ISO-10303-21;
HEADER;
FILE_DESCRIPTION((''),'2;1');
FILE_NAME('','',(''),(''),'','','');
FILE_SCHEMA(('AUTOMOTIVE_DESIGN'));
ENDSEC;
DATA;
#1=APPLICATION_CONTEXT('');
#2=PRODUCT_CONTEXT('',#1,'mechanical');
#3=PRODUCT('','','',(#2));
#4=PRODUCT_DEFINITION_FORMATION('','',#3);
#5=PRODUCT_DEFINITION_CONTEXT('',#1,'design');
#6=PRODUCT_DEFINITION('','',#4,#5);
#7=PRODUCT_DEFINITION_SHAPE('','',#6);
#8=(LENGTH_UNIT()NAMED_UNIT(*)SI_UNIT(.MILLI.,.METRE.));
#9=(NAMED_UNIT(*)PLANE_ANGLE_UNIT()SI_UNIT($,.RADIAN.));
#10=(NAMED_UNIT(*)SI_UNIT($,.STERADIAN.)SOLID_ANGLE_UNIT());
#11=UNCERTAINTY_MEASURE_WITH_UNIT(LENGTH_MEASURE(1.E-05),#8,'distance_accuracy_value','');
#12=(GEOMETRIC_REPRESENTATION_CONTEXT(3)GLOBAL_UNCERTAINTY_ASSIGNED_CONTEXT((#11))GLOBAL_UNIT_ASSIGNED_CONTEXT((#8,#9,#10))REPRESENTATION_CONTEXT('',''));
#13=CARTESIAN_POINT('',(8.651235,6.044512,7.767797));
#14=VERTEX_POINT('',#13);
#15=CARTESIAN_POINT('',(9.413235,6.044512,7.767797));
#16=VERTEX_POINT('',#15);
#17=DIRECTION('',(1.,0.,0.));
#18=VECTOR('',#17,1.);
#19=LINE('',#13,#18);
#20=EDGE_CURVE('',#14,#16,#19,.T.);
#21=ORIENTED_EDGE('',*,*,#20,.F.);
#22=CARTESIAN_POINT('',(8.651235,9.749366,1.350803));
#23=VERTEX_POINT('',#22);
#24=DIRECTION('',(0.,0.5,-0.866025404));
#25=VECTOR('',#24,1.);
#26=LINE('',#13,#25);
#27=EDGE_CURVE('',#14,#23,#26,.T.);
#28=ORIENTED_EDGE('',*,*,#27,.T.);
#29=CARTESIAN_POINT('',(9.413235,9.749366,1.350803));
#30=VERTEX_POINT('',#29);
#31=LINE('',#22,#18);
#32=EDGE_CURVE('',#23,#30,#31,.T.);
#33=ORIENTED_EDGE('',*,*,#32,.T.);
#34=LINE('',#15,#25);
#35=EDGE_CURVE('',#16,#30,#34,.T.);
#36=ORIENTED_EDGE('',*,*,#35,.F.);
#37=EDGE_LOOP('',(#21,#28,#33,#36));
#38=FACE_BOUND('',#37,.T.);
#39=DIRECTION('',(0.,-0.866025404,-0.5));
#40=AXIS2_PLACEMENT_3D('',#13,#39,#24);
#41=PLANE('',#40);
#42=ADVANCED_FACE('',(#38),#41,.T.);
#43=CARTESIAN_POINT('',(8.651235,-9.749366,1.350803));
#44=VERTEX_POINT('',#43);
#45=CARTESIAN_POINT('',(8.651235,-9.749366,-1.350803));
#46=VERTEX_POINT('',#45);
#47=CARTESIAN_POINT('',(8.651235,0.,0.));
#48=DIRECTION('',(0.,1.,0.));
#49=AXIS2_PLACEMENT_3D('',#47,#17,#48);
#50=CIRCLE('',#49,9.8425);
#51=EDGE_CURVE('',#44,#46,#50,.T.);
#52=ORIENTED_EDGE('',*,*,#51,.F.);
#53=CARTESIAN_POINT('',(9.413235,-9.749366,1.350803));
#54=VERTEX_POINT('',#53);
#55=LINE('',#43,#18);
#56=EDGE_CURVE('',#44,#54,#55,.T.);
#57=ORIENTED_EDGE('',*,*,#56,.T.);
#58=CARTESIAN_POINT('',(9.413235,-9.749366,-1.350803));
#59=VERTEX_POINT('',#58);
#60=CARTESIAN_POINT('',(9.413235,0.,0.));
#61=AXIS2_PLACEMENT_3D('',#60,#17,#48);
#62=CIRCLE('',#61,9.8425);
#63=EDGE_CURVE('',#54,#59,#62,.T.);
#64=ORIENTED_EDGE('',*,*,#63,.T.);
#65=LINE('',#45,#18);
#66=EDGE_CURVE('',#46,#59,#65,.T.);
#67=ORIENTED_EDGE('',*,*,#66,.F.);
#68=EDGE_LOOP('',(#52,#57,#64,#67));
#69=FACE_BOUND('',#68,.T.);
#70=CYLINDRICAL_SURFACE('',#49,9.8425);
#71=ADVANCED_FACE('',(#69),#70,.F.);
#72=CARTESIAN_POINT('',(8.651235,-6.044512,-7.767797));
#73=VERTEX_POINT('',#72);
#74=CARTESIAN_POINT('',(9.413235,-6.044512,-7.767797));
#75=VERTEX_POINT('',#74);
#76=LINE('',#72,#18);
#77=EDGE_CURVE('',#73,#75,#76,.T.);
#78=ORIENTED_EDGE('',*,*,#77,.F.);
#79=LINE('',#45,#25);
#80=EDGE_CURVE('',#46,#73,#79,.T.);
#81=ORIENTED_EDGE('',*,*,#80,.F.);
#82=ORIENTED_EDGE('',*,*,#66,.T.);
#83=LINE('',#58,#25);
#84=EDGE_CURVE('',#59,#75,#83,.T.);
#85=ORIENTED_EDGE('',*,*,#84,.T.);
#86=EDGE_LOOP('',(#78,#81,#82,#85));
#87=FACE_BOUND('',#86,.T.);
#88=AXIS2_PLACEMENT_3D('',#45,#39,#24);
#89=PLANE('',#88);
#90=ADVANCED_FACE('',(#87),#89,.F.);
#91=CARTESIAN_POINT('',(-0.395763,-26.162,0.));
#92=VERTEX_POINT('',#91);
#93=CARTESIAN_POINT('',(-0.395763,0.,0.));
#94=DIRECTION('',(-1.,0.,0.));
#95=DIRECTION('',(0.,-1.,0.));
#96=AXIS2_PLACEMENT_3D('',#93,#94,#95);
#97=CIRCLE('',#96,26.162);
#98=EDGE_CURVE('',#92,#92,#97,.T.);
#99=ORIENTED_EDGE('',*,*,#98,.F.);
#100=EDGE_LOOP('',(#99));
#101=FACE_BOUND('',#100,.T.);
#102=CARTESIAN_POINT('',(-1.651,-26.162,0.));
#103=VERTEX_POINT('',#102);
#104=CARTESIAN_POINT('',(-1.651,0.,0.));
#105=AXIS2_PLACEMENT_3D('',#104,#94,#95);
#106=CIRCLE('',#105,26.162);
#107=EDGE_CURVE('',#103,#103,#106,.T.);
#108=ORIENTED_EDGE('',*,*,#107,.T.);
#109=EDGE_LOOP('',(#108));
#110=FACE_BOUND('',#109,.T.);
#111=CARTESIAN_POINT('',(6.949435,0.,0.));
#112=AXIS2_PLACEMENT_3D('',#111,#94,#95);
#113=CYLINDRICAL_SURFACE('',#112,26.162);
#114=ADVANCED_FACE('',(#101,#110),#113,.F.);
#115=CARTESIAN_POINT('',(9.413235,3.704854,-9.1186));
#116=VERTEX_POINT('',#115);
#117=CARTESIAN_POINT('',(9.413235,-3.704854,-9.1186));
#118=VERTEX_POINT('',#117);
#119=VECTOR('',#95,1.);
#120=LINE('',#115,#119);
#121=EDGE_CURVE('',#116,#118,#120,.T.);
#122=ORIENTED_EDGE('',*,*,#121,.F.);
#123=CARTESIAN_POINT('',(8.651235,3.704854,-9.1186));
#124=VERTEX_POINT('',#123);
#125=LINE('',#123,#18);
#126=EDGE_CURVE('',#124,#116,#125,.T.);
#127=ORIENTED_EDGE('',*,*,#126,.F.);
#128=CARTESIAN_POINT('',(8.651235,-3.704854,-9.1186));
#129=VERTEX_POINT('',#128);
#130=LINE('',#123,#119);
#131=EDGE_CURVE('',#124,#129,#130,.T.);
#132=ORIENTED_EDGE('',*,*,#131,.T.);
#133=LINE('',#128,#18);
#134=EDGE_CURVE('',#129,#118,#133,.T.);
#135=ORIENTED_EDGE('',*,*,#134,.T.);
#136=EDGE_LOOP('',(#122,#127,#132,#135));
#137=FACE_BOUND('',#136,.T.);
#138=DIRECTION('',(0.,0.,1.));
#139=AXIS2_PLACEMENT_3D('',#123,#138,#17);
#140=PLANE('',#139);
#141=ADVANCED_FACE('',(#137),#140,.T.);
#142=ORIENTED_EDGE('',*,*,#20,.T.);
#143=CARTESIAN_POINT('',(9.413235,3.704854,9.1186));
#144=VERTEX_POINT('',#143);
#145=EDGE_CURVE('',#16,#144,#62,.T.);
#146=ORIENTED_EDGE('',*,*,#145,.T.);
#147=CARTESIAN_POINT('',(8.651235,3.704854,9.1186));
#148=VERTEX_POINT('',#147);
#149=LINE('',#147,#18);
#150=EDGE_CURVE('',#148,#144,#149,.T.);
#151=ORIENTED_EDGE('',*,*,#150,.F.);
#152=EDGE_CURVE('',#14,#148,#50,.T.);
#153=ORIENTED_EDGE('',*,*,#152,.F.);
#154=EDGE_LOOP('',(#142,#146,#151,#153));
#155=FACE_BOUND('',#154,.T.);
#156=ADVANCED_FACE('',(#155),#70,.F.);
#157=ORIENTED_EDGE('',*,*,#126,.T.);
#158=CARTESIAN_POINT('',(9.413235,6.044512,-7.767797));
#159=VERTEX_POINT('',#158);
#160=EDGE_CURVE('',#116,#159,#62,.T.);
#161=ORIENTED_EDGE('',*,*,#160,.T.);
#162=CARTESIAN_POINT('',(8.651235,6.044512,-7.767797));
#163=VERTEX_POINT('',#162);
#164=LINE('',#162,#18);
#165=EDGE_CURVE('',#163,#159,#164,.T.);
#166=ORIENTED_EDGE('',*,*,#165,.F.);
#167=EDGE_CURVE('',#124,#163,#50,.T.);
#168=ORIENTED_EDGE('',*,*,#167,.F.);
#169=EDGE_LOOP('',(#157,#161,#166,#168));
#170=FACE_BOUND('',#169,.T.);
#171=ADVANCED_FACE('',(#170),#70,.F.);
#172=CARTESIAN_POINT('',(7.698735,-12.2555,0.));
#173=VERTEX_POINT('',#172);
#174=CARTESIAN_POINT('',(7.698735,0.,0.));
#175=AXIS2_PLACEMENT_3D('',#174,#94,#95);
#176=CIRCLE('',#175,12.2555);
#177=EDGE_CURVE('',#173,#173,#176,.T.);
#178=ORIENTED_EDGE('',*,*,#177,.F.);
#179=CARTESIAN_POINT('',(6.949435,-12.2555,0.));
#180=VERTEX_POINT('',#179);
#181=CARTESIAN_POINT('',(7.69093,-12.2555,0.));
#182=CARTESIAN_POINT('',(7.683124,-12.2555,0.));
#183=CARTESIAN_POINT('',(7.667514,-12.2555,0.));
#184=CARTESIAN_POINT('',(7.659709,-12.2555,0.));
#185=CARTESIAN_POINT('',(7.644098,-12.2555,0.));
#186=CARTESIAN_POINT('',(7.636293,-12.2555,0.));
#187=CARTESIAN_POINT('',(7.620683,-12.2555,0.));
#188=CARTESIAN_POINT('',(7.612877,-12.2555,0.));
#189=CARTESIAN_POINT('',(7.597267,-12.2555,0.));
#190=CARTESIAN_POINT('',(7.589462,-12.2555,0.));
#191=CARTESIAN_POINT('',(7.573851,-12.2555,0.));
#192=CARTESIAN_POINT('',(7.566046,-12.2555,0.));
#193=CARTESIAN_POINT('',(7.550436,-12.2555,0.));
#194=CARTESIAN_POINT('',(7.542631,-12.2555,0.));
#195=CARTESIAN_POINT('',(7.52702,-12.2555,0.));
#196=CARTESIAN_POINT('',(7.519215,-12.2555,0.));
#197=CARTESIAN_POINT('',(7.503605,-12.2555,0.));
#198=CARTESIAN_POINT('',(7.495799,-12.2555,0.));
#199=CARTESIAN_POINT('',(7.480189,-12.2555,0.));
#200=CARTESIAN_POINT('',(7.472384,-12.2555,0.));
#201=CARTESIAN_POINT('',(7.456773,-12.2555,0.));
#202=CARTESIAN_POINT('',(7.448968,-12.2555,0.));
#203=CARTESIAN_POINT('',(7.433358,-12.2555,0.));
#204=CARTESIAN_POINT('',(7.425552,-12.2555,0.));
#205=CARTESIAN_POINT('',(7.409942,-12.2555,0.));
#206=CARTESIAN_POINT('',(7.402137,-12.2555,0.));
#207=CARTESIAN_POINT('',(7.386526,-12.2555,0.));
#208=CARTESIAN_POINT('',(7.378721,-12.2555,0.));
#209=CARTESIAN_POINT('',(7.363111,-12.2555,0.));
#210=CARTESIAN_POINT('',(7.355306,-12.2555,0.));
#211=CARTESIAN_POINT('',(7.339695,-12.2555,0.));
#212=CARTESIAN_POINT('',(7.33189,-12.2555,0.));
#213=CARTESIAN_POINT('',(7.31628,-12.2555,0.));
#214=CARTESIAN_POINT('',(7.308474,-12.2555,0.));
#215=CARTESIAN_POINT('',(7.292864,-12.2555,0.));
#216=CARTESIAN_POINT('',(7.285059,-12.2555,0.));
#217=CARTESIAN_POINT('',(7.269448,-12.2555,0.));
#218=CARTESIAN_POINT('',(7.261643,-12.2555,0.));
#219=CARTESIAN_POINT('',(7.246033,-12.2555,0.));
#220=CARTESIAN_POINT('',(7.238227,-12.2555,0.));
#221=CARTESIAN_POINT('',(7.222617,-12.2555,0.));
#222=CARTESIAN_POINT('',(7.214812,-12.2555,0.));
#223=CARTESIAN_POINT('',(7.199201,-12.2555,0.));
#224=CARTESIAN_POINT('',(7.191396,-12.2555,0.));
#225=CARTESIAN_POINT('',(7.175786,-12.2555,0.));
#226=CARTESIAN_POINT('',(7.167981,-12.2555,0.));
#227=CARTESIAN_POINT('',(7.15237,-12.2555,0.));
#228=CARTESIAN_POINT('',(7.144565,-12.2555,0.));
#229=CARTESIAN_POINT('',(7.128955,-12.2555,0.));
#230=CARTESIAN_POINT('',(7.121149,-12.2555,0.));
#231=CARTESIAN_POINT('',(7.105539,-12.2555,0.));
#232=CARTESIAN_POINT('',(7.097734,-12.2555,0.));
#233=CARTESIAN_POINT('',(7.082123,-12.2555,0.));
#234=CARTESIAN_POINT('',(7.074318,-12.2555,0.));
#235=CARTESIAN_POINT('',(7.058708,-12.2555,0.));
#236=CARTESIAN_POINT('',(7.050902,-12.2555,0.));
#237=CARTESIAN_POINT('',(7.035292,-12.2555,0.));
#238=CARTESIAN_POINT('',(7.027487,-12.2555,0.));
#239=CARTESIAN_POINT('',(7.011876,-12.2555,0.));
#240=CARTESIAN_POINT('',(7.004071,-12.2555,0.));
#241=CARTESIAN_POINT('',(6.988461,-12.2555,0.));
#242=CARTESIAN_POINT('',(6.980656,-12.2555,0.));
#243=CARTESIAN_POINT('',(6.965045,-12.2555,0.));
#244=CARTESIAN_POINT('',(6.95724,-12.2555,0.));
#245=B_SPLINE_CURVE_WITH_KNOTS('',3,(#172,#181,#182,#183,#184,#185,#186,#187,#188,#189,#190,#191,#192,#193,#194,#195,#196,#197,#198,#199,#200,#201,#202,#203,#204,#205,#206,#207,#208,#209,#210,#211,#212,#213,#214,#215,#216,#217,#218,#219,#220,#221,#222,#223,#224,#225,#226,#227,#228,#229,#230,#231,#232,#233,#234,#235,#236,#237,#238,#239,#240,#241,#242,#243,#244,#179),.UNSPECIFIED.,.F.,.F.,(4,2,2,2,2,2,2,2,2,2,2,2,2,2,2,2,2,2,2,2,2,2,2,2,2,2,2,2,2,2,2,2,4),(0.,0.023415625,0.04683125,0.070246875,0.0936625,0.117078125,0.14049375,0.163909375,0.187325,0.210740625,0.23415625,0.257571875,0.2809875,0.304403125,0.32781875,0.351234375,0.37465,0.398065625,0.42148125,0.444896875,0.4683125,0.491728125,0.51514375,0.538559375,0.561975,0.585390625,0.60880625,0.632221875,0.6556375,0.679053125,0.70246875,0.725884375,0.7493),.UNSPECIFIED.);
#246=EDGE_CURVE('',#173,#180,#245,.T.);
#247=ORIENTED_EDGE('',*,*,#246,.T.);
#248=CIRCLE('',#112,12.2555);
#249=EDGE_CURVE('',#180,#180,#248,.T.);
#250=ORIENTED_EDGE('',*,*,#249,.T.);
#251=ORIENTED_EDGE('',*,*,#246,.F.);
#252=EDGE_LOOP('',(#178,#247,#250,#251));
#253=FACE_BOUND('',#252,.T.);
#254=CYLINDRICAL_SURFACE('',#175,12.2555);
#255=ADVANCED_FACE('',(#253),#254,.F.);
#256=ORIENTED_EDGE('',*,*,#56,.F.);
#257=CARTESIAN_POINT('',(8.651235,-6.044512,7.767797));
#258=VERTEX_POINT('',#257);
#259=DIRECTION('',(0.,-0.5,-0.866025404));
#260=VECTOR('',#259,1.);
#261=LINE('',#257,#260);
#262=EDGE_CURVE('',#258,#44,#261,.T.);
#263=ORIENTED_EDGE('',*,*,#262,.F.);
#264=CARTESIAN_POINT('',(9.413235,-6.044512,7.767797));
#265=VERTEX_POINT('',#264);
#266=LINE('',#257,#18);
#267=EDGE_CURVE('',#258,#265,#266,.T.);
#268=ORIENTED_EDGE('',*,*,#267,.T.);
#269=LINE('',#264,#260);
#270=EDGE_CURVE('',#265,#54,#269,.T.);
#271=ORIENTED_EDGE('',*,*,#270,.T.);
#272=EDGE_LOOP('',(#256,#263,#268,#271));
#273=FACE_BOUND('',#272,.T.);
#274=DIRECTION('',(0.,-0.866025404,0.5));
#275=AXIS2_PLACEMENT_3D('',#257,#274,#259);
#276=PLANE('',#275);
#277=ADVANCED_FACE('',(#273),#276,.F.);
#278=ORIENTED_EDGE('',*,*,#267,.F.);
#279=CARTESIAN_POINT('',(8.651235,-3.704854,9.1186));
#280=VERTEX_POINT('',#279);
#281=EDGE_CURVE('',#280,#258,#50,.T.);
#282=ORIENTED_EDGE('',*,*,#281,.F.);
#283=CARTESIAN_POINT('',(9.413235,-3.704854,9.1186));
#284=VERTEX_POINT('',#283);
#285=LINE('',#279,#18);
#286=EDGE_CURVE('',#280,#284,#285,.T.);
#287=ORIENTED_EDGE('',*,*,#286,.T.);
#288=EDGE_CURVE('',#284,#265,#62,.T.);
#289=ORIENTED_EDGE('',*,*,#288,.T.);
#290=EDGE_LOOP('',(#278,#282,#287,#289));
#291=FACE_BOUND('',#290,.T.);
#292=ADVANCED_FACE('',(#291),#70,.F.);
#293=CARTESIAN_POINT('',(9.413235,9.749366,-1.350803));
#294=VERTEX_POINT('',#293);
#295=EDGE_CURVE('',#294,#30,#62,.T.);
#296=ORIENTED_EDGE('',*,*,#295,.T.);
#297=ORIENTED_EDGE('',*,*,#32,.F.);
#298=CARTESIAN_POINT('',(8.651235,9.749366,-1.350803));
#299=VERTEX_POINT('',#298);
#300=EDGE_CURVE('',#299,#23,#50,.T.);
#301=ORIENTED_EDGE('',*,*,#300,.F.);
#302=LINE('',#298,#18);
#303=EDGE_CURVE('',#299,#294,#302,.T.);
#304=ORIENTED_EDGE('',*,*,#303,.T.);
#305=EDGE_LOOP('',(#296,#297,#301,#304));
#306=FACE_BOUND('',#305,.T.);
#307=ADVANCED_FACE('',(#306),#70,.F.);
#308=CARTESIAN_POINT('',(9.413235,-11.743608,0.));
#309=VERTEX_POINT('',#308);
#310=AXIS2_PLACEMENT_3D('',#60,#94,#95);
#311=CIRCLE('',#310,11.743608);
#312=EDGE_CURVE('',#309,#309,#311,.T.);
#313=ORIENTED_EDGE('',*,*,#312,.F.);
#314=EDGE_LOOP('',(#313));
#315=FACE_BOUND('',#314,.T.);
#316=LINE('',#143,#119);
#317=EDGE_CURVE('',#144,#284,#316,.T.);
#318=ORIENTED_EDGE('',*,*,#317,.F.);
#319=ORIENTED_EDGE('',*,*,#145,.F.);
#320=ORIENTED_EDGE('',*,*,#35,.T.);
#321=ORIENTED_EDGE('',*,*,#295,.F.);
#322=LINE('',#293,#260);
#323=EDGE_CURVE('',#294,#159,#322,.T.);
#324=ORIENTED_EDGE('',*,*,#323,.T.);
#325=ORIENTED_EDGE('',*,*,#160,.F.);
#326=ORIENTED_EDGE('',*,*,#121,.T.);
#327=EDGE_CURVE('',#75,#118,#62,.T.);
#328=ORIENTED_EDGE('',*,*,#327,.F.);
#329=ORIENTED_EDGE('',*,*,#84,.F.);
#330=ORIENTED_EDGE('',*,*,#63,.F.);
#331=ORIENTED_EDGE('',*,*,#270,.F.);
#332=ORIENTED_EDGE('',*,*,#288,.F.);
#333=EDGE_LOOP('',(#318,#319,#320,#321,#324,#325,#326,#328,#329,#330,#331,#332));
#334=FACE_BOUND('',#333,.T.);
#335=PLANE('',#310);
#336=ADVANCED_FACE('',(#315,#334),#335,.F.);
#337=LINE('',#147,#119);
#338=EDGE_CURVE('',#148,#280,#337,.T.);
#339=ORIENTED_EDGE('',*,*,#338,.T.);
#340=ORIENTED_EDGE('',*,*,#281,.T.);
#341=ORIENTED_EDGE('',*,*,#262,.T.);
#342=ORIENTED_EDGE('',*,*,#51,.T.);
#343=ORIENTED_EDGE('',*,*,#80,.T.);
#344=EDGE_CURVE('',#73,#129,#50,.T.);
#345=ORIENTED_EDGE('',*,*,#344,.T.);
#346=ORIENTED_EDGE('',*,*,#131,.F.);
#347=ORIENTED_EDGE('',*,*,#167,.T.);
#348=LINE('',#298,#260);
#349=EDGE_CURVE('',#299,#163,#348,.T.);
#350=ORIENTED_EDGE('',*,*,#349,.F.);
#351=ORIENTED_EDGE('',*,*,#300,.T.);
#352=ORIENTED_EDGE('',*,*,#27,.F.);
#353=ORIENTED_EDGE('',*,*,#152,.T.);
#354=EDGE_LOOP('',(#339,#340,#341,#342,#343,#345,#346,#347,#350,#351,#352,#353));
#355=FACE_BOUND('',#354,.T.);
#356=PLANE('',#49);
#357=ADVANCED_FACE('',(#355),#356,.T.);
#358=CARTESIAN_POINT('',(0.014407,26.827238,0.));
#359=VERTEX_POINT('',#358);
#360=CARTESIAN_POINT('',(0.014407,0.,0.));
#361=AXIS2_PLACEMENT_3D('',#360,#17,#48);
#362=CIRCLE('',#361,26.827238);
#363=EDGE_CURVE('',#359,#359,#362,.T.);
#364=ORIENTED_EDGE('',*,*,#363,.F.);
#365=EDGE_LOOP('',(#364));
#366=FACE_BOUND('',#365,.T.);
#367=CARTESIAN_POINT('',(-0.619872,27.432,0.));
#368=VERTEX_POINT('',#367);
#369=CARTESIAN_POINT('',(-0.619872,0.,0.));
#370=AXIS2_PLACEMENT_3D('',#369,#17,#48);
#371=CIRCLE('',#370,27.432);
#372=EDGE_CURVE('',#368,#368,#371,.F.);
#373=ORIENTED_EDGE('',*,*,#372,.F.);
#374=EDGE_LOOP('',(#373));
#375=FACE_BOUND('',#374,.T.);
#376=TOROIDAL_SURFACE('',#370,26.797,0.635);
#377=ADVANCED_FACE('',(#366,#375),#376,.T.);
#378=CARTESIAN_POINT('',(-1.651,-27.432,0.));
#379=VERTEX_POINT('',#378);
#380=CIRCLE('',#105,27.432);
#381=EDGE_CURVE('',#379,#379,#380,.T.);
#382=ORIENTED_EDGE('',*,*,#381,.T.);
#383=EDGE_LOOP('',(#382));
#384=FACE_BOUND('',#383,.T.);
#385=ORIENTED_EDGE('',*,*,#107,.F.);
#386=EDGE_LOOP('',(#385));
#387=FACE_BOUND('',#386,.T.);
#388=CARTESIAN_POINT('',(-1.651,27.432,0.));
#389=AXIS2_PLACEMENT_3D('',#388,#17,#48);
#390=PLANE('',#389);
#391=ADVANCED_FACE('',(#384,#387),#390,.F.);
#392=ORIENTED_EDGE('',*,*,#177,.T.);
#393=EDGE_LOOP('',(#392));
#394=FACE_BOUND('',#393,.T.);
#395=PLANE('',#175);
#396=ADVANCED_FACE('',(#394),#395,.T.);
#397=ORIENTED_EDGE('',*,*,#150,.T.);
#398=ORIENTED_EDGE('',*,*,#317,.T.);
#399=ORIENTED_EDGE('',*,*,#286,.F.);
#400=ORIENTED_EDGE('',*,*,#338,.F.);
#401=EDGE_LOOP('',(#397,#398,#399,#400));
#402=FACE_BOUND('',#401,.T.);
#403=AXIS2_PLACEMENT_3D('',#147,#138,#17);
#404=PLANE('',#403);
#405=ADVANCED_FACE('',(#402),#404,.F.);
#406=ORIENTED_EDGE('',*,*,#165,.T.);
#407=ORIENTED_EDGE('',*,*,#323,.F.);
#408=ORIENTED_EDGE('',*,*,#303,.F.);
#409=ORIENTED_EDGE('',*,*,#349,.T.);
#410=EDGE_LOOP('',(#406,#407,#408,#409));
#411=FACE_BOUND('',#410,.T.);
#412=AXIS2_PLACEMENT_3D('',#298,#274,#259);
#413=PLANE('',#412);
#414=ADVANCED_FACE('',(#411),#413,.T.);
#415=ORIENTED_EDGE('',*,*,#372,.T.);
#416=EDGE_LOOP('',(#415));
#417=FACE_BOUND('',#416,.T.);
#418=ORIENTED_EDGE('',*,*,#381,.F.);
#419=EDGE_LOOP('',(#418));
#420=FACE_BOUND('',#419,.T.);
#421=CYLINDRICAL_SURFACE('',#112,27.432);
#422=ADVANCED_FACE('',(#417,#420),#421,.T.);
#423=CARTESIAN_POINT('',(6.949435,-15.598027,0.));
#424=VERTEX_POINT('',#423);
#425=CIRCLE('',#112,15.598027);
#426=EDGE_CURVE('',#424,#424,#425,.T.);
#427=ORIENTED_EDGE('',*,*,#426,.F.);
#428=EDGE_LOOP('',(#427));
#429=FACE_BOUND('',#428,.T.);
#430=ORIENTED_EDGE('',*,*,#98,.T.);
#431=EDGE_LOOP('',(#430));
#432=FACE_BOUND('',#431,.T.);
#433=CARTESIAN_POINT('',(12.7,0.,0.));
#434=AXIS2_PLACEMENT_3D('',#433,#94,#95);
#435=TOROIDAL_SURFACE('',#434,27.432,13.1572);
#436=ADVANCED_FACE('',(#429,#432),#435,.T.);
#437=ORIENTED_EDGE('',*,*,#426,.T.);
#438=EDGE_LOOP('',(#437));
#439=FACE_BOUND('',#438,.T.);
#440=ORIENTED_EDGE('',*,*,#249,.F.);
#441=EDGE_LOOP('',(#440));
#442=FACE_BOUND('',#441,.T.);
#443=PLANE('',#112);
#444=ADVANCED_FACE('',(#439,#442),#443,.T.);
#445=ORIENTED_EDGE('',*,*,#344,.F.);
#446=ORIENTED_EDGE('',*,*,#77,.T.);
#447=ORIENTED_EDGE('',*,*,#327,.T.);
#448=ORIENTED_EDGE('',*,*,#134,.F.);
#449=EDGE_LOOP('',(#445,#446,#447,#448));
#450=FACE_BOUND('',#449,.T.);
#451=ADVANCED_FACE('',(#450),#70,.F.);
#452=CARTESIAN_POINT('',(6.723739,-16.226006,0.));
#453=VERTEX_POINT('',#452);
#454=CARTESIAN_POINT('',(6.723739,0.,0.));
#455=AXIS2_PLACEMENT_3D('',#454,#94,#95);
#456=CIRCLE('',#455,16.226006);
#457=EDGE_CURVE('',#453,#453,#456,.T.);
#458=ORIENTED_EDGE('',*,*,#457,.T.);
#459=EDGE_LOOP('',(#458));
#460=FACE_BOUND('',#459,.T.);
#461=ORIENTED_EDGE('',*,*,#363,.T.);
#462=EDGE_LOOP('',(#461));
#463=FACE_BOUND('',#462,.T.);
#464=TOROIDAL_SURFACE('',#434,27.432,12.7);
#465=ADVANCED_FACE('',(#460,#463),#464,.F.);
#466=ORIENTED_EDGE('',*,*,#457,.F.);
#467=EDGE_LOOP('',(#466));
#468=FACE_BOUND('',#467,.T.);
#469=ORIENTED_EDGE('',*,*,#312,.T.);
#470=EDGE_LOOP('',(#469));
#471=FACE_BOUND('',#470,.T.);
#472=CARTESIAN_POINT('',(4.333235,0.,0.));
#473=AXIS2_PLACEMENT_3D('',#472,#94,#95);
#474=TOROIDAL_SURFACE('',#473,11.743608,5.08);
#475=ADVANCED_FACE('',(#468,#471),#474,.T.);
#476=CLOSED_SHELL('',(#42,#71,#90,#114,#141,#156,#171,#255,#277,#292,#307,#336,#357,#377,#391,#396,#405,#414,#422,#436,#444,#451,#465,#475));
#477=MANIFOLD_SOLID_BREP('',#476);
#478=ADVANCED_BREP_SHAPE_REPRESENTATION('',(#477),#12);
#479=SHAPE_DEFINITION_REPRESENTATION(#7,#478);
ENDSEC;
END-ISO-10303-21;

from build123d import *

# Parameters (mm, degrees)
HEX_2_DEPTH       = 0.762
SKETCH4_R         = 12.2555
BACK_RECESS_DEPTH = 0.7493
FILLET1_R         = 0.635


with BuildPart() as part:
    # Sketch1 → Main Body (revolve)
    with BuildSketch(Plane.XY, mode=Mode.PRIVATE) as main_body_sk:
        with BuildLine():
            Line((6.949434781, 0), (9.413234781, 0))
            Line((9.413234781, 0), (9.413234781, 11.743608121))
            ThreePointArc((9.413234781, 11.743608121), (8.689274386, 14.357287319), (6.723739129, 16.2260058))
            ThreePointArc((6.723739129, 16.2260058), (1.809900986, 20.897802003), (0, 27.432))
            Line((0, 27.432), (-1.651, 27.432))
            Line((-1.651, 27.432), (-1.651, 26.162))
            Line((-1.651, 26.162), (-0.395763126, 26.162))
            ThreePointArc((-0.395763126, 26.162), (1.897435342, 19.920907626), (6.949434781, 15.598027231))
            Line((6.949434781, 15.598027231), (6.949434781, 0))
        make_face()
    revolve(main_body_sk.sketch.rotate(Axis((6.949434781, 0, 0), (1, 0, 0)), 180), axis=Axis((6.949434781, 0, 0), (1, 0, 0)))

    # Sketch3 → Hex 2 (cut)
    with BuildSketch(Plane(origin=(9.413234781, 0, 0), x_dir=(0, 0, -1), z_dir=(1, 0, 0))):
        with BuildLine():
            Line((-9.1186, 3.704853612), (-9.1186, -3.704853612))
            ThreePointArc((-9.1186, -3.704853612), (-8.523855037, -4.92125), (-7.767797346, -6.044512441))
            Line((-7.767797346, -6.044512441), (-1.350802654, -9.749366053))
            ThreePointArc((-1.350802654, -9.749366053), (0, -9.8425), (1.350802654, -9.749366053))
            Line((1.350802654, -9.749366053), (7.767797346, -6.044512441))
            ThreePointArc((7.767797346, -6.044512441), (8.523855037, -4.92125), (9.1186, -3.704853612))
            Line((9.1186, -3.704853612), (9.1186, 3.704853612))
            ThreePointArc((9.1186, 3.704853612), (8.523855037, 4.92125), (7.767797346, 6.044512441))
            Line((7.767797346, 6.044512441), (1.350802654, 9.749366053))
            ThreePointArc((1.350802654, 9.749366053), (0, 9.8425), (-1.350802654, 9.749366053))
            Line((-1.350802654, 9.749366053), (-7.767797346, 6.044512441))
            ThreePointArc((-7.767797346, 6.044512441), (-8.523855037, 4.92125), (-9.1186, 3.704853612))
        make_face()
    extrude(amount=-HEX_2_DEPTH, mode=Mode.SUBTRACT)

    # Sketch4 → Back Recess (cut)
    with BuildSketch(Plane.ZY.offset(-6.949434781)):
        with Locations(Location((0, 0, 0), (0, 0, 270))):
            Circle(SKETCH4_R)
    extrude(amount=-BACK_RECESS_DEPTH, mode=Mode.SUBTRACT)

    # Fillet1
    fillet1_edges = [part.edges().sort_by_distance(p)[0] for p in [
        (0, 27.432, 0),
    ]]
    fillet(fillet1_edges, radius=FILLET1_R)


solid = part.part
